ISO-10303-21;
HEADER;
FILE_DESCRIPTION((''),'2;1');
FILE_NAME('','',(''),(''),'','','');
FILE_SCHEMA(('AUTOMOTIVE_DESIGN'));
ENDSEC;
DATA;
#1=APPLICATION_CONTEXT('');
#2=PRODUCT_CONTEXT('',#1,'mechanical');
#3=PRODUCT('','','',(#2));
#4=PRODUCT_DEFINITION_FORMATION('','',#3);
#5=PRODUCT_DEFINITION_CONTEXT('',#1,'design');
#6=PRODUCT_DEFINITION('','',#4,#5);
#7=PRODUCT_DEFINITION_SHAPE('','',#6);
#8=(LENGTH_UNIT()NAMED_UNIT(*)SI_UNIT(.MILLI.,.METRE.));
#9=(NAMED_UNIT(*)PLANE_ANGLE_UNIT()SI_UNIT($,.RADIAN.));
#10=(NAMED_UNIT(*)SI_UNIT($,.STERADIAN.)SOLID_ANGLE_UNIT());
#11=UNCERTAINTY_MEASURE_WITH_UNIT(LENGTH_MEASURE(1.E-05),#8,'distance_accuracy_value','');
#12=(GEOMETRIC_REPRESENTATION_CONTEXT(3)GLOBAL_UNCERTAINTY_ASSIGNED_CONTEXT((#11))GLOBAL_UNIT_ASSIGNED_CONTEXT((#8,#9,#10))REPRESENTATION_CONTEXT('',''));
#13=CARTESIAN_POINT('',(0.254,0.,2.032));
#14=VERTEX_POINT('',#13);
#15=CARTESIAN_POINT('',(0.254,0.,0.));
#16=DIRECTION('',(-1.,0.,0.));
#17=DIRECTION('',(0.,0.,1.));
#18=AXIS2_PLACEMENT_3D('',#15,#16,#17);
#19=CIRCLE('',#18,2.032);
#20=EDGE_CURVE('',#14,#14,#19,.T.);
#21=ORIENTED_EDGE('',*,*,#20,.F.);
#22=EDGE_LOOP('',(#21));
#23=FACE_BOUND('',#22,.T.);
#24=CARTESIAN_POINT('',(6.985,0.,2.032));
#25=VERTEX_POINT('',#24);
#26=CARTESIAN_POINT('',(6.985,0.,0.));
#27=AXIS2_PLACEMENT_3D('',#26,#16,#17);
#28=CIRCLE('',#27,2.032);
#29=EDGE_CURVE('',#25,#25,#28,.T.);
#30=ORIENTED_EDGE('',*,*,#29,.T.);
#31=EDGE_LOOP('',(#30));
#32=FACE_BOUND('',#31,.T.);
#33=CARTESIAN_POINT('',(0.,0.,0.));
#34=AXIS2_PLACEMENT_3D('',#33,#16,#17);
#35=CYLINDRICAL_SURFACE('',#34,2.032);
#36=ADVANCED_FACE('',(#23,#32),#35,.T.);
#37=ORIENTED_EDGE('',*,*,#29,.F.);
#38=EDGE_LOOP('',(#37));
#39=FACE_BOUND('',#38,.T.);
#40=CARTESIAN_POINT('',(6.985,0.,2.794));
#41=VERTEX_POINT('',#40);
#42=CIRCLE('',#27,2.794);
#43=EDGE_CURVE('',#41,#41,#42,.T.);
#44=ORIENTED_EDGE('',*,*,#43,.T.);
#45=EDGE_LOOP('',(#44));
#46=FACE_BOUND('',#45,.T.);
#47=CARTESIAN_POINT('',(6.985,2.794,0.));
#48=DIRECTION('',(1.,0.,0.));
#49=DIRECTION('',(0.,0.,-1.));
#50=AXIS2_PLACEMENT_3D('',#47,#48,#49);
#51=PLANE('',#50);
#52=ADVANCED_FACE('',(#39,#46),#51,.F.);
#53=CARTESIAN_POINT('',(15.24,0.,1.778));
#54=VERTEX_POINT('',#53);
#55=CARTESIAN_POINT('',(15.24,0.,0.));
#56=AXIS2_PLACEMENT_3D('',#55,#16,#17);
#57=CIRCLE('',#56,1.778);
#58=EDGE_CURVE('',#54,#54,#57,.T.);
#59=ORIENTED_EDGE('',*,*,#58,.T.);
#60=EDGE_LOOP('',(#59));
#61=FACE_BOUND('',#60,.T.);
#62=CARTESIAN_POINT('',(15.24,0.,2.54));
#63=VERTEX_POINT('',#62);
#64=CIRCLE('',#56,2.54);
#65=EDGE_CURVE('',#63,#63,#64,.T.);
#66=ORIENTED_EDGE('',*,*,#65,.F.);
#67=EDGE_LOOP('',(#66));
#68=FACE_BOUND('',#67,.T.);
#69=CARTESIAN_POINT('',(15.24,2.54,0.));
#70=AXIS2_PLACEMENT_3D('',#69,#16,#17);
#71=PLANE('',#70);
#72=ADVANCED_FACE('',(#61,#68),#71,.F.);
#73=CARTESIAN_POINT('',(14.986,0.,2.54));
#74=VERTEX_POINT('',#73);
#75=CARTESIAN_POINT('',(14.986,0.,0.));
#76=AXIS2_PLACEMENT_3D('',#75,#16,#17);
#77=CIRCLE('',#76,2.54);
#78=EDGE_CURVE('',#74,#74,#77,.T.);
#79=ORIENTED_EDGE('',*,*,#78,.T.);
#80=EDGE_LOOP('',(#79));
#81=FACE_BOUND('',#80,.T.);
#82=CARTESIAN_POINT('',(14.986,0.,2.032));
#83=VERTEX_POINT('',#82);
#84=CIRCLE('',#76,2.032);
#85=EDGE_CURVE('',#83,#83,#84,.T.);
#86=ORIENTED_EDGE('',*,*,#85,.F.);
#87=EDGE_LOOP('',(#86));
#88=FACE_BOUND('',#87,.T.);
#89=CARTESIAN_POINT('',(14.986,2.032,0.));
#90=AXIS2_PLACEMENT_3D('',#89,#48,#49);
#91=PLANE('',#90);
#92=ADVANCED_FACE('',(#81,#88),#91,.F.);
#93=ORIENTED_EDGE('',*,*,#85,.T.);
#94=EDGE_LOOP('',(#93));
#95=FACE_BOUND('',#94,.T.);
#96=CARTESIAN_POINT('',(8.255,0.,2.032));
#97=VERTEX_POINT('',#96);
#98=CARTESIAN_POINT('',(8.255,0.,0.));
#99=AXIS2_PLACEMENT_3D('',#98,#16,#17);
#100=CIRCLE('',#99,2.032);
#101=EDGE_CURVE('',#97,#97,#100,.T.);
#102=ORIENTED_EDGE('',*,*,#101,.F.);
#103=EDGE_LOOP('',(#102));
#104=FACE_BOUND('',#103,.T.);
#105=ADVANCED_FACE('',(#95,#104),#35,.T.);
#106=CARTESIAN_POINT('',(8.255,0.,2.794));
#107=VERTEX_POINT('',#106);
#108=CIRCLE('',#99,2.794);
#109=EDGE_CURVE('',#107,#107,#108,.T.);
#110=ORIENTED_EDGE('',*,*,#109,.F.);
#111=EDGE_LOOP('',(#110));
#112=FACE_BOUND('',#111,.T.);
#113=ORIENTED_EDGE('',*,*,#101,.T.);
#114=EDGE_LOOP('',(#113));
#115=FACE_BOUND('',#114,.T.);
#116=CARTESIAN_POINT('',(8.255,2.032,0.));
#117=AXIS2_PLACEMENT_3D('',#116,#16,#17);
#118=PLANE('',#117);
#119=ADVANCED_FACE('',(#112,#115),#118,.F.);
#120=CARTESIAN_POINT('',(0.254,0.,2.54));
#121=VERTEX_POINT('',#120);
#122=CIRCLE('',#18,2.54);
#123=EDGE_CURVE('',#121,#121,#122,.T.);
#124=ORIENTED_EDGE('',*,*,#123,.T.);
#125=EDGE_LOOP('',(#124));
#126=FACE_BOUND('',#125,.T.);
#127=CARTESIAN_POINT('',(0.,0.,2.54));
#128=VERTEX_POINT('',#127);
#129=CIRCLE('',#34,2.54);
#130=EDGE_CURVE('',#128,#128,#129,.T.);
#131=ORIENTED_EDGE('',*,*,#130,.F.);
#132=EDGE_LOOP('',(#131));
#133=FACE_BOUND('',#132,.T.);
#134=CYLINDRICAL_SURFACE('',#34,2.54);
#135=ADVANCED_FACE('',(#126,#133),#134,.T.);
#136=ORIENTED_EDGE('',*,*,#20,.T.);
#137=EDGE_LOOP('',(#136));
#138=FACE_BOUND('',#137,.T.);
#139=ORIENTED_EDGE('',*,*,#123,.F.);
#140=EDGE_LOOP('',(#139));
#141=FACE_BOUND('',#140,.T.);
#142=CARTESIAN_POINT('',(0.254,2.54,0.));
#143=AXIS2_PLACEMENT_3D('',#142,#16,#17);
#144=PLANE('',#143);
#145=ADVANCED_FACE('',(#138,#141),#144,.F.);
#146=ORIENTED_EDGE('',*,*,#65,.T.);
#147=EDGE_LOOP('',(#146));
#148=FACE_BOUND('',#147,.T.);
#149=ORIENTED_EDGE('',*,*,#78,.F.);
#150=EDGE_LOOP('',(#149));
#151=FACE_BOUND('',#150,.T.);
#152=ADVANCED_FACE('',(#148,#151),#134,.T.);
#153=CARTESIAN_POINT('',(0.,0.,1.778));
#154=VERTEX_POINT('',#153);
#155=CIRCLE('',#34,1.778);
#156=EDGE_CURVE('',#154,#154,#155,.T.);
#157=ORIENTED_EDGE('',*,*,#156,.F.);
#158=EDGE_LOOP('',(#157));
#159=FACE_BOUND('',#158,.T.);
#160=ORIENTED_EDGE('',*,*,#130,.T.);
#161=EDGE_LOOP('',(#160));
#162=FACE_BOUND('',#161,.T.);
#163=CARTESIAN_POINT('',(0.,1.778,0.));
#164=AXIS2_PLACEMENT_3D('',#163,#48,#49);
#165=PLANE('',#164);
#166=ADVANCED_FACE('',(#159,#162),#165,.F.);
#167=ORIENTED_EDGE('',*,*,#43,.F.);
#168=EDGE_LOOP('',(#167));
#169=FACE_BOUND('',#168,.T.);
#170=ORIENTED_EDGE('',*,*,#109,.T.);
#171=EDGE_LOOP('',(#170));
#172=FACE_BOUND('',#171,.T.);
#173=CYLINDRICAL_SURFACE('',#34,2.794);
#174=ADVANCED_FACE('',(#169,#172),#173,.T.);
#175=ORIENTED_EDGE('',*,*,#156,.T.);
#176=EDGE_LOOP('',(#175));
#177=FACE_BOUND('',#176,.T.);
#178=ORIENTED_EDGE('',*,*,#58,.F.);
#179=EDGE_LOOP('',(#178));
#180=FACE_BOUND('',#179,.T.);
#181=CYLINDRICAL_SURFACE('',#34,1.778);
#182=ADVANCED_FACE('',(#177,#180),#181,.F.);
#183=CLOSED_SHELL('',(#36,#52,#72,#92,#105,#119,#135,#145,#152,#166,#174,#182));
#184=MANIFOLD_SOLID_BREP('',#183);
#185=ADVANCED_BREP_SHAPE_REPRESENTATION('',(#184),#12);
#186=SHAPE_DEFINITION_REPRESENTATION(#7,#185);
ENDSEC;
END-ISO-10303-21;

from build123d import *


with BuildPart() as part:
    # Sketch1 → Revolve1 (revolve)
    with BuildSketch(Plane.XY):
        Polygon((0, 1.778), (0, 2.54), (0.254, 2.54), (0.254, 2.032), (6.985, 2.032), (6.985, 2.794), (8.255, 2.794), (8.255, 2.032), (14.986, 2.032), (14.986, 2.54), (15.24, 2.54), (15.24, 1.778), align=None)
    revolve(axis=Axis((0, 0, 0), (1, 0, 0)))


solid = part.part
